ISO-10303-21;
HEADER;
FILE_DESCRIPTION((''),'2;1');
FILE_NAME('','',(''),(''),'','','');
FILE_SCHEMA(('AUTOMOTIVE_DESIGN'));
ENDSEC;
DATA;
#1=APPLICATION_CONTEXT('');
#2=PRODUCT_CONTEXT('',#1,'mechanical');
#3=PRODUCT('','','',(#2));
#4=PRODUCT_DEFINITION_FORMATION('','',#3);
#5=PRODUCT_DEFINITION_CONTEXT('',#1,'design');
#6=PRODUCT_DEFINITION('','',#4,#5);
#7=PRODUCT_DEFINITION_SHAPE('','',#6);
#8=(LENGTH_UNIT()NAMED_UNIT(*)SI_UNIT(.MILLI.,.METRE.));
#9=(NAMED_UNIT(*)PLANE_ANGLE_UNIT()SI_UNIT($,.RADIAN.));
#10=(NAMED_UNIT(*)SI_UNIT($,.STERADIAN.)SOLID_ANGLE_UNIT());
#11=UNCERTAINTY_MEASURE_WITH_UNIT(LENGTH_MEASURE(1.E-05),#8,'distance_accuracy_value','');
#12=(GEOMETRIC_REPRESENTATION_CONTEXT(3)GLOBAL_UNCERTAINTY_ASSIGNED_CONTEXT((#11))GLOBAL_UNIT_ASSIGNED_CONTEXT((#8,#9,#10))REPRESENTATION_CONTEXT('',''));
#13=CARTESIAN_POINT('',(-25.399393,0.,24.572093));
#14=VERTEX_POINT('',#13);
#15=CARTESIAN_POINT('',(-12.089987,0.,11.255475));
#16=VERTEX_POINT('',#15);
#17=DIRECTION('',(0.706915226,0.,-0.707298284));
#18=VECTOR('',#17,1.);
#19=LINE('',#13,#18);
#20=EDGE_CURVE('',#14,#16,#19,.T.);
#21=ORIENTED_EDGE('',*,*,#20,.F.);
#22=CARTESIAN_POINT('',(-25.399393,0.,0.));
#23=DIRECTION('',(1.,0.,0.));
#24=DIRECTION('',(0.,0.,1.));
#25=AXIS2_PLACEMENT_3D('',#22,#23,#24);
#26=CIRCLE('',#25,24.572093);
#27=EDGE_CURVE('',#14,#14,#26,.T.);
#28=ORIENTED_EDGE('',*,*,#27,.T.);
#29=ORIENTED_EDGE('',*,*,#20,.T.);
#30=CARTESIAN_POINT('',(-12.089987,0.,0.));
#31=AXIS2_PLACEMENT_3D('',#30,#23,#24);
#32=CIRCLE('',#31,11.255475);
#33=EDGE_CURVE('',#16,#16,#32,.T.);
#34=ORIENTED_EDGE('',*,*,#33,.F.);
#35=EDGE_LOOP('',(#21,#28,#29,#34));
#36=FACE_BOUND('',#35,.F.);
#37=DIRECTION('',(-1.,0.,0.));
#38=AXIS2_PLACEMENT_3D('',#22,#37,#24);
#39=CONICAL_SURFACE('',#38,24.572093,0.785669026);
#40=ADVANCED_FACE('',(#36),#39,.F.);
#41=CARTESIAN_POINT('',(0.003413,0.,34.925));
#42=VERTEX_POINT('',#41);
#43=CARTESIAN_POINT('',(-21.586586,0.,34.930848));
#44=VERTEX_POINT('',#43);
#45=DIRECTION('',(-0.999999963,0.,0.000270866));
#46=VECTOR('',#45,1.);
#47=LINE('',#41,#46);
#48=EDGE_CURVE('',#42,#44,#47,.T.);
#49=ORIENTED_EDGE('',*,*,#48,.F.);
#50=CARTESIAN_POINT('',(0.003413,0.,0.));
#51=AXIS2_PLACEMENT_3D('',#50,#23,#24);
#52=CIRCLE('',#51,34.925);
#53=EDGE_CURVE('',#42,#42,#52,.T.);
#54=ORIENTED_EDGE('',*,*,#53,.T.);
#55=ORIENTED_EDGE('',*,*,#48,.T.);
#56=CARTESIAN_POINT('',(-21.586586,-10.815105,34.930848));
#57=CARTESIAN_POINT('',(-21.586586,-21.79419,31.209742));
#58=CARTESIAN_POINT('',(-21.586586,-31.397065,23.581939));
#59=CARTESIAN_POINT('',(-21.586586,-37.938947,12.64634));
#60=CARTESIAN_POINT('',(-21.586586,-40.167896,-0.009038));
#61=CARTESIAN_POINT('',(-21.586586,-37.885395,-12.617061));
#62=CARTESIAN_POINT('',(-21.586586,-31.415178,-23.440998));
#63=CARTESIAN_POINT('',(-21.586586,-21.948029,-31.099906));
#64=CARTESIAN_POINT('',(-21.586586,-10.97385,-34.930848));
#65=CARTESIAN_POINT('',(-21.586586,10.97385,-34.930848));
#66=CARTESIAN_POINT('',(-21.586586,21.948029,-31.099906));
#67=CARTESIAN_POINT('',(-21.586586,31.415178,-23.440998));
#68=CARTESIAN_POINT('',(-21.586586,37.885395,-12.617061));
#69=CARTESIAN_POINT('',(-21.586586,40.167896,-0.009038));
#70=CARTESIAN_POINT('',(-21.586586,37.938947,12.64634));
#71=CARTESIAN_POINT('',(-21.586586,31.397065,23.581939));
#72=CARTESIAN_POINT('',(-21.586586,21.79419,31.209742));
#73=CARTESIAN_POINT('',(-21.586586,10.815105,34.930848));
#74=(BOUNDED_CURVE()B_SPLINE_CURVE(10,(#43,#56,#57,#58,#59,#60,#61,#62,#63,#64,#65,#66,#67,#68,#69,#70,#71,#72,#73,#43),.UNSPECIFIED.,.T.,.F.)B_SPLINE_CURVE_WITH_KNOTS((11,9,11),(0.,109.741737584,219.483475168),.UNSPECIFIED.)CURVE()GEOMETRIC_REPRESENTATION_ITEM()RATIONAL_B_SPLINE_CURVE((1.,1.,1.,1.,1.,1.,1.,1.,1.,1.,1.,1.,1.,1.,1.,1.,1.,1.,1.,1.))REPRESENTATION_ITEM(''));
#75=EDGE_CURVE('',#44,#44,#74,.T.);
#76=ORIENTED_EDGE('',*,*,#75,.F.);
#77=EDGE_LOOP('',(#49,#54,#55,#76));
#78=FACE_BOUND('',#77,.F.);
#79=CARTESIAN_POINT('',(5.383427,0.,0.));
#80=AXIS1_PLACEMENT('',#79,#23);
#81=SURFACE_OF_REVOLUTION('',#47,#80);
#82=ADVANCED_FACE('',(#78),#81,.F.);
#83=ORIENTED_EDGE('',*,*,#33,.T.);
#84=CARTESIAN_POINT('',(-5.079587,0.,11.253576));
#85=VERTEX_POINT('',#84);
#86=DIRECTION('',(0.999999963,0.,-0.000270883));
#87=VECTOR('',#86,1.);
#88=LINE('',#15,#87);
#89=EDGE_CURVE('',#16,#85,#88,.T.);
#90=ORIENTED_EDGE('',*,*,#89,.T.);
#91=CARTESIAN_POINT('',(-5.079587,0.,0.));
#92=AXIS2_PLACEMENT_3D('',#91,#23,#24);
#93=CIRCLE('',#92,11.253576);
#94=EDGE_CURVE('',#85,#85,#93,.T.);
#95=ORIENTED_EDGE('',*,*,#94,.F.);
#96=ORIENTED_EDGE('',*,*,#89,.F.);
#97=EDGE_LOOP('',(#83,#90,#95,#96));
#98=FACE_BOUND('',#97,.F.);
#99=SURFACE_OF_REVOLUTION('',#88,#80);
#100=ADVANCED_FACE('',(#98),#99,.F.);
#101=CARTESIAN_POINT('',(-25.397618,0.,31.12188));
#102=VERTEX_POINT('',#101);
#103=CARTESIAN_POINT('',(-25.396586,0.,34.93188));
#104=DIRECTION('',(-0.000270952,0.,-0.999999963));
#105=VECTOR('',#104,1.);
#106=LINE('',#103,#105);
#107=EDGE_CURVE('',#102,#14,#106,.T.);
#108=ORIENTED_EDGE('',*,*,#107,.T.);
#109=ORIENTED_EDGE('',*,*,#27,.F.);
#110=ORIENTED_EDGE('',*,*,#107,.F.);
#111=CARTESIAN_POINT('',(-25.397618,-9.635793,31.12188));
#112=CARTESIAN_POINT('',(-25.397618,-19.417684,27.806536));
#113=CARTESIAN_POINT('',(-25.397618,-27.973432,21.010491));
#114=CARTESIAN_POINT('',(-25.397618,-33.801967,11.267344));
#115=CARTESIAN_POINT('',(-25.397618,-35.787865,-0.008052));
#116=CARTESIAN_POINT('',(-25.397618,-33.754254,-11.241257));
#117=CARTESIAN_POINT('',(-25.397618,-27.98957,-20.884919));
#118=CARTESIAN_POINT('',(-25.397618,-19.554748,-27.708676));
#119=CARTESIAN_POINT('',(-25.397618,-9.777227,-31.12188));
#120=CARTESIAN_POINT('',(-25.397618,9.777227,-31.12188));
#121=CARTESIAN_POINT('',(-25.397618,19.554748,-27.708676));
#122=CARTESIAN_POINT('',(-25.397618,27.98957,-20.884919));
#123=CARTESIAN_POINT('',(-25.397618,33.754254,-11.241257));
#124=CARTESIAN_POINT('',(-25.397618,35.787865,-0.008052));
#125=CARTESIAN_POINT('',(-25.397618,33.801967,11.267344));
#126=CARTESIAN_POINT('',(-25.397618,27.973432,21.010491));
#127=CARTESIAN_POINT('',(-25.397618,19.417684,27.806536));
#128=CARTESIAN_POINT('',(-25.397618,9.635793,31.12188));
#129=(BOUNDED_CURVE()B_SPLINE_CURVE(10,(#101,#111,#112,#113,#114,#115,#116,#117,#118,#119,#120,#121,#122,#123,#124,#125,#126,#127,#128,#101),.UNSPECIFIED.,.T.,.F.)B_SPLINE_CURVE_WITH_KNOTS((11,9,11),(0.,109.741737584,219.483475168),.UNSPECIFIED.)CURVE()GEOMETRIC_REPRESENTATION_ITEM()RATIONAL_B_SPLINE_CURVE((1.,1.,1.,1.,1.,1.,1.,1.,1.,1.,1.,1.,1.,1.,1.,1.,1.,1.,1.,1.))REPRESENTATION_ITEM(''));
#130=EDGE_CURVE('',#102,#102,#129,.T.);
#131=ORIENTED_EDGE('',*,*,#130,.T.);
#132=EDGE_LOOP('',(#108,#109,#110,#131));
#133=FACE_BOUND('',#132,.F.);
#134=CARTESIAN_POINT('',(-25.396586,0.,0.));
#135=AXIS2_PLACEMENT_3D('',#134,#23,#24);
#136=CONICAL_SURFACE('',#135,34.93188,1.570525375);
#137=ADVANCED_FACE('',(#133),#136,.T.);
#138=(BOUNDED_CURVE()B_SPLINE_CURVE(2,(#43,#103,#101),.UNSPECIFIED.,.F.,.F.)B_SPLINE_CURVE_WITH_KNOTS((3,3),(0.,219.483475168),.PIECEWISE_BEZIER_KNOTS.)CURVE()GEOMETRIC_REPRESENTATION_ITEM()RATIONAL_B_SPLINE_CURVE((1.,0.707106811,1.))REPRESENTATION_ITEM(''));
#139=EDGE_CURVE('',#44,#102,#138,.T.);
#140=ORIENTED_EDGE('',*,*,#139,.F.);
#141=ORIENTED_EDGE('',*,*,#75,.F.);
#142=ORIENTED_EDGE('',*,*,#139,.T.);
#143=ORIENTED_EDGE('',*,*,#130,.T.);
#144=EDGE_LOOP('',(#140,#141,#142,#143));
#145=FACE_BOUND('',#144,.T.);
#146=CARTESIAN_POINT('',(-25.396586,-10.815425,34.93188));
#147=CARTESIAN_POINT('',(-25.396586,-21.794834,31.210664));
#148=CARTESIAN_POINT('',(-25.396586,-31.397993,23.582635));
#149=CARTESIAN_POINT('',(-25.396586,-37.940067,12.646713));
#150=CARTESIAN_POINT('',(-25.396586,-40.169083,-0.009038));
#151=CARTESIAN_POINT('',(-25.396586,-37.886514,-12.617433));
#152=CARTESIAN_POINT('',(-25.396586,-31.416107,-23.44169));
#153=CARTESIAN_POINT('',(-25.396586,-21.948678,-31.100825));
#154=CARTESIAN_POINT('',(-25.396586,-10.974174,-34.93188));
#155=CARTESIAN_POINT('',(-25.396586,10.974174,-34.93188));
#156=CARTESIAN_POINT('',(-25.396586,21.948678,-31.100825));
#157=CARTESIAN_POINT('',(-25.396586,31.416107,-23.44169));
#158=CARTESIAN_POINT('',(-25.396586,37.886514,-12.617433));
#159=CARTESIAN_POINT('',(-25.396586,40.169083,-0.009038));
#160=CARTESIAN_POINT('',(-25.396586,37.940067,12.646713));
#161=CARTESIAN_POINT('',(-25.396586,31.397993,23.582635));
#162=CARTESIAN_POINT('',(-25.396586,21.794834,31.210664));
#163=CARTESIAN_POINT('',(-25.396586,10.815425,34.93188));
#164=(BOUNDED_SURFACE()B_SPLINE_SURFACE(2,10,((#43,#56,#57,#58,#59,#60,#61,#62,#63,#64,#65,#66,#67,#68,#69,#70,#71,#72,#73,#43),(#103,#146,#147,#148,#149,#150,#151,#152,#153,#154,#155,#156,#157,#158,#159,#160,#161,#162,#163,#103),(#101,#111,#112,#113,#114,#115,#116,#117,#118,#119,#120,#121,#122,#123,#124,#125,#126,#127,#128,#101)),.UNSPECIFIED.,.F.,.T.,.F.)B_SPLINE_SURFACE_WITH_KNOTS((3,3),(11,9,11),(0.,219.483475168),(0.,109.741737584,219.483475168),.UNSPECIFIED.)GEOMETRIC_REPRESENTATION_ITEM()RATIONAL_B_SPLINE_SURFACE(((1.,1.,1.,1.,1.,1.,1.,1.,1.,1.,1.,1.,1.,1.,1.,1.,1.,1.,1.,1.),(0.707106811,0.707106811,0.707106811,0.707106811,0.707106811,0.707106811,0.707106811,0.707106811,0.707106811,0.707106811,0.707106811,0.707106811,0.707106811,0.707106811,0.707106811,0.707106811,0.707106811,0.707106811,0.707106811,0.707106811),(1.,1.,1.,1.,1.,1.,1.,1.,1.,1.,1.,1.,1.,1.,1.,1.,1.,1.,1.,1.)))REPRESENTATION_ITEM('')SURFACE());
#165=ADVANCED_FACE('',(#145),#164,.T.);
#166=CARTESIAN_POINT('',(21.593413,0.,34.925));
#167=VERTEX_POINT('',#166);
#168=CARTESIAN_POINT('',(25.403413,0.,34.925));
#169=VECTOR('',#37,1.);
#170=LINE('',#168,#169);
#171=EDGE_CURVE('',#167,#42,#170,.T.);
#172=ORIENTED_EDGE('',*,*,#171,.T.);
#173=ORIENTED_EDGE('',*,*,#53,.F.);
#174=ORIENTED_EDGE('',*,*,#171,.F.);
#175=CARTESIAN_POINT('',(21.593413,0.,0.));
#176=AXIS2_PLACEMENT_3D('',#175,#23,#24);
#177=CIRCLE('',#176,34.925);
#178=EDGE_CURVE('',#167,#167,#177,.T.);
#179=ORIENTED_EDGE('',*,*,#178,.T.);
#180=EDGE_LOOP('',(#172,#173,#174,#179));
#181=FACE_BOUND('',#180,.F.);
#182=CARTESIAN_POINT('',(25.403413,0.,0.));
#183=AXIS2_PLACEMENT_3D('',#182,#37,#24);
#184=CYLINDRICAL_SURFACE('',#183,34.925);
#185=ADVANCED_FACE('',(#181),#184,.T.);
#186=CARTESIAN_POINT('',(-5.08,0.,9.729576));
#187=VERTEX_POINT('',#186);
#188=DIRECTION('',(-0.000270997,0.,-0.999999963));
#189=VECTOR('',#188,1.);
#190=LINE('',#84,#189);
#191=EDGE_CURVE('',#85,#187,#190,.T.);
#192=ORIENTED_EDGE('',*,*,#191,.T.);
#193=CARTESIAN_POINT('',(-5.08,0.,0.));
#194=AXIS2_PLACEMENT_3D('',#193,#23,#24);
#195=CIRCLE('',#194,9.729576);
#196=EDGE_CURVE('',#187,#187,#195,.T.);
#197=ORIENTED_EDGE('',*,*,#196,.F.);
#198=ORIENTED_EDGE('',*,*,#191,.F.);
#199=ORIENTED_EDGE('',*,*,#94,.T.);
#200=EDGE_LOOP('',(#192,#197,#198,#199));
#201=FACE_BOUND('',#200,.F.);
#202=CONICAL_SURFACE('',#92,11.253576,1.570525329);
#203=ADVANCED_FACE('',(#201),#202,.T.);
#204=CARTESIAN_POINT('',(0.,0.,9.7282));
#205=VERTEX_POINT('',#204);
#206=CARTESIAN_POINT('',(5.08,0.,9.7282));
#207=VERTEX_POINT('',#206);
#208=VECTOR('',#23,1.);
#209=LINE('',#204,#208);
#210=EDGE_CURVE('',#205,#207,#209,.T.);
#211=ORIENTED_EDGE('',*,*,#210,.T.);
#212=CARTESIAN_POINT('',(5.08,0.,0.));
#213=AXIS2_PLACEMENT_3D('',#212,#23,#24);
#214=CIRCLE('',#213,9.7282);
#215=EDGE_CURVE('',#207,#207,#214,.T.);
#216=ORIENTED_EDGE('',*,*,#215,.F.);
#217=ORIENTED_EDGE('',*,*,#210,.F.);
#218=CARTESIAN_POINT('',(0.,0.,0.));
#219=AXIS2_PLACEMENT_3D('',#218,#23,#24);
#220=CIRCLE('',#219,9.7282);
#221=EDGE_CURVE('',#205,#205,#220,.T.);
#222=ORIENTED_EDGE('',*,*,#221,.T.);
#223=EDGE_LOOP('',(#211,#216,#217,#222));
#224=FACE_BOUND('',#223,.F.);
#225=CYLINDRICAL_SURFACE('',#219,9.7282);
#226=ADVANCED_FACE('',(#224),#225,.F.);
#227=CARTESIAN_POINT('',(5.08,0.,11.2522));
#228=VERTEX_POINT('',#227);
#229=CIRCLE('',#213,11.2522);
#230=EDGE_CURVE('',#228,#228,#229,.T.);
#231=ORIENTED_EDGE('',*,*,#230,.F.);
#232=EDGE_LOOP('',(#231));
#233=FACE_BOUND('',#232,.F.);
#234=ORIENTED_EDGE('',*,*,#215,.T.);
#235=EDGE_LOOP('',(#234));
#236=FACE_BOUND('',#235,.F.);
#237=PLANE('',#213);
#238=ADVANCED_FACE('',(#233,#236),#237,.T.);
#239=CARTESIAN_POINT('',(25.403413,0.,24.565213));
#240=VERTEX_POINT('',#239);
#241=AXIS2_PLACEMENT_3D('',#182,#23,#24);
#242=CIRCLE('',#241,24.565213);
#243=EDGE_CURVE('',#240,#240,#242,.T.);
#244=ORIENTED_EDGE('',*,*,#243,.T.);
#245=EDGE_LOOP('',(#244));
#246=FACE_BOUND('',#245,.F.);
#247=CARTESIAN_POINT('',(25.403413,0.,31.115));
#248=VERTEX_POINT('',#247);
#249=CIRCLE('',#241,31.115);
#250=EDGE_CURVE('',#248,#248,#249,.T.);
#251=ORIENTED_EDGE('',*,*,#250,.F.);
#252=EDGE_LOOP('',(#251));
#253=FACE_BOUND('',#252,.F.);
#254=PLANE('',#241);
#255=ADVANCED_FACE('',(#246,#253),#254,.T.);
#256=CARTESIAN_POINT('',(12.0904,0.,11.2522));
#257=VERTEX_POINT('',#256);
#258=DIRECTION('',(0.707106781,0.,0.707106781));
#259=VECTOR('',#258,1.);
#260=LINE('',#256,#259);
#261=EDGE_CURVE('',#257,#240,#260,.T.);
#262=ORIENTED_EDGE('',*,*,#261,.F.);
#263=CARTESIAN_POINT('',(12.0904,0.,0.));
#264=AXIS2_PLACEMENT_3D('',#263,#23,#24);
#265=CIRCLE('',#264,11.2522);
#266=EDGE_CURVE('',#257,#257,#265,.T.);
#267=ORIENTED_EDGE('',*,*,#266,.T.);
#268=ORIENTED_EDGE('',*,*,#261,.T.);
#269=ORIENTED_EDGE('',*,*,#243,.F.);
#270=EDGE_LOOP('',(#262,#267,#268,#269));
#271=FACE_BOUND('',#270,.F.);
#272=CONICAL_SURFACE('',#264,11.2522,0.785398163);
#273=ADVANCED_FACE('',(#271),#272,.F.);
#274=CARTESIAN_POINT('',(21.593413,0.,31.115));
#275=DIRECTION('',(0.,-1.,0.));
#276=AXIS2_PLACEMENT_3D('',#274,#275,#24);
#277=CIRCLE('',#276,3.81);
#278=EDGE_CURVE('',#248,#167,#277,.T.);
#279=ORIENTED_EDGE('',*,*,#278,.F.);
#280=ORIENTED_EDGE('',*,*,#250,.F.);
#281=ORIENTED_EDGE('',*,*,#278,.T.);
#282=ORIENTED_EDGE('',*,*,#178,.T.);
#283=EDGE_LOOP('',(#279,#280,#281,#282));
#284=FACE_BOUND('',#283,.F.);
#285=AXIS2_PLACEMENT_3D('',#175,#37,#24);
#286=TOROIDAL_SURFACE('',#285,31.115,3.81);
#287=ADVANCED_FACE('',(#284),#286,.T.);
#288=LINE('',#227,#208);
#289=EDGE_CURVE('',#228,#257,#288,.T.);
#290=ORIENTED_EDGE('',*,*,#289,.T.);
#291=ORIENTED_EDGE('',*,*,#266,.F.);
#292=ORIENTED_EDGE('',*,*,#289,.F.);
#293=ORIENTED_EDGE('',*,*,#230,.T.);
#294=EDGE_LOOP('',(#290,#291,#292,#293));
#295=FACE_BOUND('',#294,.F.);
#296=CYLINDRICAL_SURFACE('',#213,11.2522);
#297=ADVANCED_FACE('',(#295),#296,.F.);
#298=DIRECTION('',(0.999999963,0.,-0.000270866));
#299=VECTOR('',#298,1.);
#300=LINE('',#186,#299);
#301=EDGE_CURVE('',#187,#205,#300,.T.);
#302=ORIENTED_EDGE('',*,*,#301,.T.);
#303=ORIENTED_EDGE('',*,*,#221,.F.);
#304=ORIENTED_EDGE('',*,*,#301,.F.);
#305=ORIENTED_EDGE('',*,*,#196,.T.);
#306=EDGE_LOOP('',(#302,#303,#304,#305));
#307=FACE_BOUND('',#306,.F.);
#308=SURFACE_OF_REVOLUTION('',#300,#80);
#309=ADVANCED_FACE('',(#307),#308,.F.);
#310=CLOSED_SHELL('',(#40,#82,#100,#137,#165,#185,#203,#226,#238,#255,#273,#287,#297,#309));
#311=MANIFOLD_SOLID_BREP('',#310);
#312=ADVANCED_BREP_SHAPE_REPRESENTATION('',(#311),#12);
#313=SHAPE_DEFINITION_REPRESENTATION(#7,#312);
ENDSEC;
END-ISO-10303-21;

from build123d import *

# Parameters (mm, degrees)
F2_R = 3.81


with BuildPart() as f1:
    # F0 (on Front) → F1 (revolve)
    with BuildSketch(Plane.XZ):
        Polygon((0, 9.7282), (0.003413, 34.925), (-25.396586, 34.93188), (-25.399393, 24.572093), (-12.089987, 11.255475), (-5.079587, 11.253576), (-5.08, 9.729576), align=None)
        Polygon((25.403413, 34.925), (0.003413, 34.925), (0, 9.7282), (5.08, 9.7282), (5.08, 11.2522), (12.0904, 11.2522), (25.403413, 24.565213), align=None)
    revolve(axis=Axis((5.383427, 0, 0), (1, 0, 0)))

    # F2
    f2_edges = [f1.edges().sort_by_distance(p)[0] for p in [
        (25.403413, 0, -34.925),
        (-25.396586, 0, -34.93188),
    ]]
    fillet(f2_edges, radius=F2_R)


solid = f1.part
